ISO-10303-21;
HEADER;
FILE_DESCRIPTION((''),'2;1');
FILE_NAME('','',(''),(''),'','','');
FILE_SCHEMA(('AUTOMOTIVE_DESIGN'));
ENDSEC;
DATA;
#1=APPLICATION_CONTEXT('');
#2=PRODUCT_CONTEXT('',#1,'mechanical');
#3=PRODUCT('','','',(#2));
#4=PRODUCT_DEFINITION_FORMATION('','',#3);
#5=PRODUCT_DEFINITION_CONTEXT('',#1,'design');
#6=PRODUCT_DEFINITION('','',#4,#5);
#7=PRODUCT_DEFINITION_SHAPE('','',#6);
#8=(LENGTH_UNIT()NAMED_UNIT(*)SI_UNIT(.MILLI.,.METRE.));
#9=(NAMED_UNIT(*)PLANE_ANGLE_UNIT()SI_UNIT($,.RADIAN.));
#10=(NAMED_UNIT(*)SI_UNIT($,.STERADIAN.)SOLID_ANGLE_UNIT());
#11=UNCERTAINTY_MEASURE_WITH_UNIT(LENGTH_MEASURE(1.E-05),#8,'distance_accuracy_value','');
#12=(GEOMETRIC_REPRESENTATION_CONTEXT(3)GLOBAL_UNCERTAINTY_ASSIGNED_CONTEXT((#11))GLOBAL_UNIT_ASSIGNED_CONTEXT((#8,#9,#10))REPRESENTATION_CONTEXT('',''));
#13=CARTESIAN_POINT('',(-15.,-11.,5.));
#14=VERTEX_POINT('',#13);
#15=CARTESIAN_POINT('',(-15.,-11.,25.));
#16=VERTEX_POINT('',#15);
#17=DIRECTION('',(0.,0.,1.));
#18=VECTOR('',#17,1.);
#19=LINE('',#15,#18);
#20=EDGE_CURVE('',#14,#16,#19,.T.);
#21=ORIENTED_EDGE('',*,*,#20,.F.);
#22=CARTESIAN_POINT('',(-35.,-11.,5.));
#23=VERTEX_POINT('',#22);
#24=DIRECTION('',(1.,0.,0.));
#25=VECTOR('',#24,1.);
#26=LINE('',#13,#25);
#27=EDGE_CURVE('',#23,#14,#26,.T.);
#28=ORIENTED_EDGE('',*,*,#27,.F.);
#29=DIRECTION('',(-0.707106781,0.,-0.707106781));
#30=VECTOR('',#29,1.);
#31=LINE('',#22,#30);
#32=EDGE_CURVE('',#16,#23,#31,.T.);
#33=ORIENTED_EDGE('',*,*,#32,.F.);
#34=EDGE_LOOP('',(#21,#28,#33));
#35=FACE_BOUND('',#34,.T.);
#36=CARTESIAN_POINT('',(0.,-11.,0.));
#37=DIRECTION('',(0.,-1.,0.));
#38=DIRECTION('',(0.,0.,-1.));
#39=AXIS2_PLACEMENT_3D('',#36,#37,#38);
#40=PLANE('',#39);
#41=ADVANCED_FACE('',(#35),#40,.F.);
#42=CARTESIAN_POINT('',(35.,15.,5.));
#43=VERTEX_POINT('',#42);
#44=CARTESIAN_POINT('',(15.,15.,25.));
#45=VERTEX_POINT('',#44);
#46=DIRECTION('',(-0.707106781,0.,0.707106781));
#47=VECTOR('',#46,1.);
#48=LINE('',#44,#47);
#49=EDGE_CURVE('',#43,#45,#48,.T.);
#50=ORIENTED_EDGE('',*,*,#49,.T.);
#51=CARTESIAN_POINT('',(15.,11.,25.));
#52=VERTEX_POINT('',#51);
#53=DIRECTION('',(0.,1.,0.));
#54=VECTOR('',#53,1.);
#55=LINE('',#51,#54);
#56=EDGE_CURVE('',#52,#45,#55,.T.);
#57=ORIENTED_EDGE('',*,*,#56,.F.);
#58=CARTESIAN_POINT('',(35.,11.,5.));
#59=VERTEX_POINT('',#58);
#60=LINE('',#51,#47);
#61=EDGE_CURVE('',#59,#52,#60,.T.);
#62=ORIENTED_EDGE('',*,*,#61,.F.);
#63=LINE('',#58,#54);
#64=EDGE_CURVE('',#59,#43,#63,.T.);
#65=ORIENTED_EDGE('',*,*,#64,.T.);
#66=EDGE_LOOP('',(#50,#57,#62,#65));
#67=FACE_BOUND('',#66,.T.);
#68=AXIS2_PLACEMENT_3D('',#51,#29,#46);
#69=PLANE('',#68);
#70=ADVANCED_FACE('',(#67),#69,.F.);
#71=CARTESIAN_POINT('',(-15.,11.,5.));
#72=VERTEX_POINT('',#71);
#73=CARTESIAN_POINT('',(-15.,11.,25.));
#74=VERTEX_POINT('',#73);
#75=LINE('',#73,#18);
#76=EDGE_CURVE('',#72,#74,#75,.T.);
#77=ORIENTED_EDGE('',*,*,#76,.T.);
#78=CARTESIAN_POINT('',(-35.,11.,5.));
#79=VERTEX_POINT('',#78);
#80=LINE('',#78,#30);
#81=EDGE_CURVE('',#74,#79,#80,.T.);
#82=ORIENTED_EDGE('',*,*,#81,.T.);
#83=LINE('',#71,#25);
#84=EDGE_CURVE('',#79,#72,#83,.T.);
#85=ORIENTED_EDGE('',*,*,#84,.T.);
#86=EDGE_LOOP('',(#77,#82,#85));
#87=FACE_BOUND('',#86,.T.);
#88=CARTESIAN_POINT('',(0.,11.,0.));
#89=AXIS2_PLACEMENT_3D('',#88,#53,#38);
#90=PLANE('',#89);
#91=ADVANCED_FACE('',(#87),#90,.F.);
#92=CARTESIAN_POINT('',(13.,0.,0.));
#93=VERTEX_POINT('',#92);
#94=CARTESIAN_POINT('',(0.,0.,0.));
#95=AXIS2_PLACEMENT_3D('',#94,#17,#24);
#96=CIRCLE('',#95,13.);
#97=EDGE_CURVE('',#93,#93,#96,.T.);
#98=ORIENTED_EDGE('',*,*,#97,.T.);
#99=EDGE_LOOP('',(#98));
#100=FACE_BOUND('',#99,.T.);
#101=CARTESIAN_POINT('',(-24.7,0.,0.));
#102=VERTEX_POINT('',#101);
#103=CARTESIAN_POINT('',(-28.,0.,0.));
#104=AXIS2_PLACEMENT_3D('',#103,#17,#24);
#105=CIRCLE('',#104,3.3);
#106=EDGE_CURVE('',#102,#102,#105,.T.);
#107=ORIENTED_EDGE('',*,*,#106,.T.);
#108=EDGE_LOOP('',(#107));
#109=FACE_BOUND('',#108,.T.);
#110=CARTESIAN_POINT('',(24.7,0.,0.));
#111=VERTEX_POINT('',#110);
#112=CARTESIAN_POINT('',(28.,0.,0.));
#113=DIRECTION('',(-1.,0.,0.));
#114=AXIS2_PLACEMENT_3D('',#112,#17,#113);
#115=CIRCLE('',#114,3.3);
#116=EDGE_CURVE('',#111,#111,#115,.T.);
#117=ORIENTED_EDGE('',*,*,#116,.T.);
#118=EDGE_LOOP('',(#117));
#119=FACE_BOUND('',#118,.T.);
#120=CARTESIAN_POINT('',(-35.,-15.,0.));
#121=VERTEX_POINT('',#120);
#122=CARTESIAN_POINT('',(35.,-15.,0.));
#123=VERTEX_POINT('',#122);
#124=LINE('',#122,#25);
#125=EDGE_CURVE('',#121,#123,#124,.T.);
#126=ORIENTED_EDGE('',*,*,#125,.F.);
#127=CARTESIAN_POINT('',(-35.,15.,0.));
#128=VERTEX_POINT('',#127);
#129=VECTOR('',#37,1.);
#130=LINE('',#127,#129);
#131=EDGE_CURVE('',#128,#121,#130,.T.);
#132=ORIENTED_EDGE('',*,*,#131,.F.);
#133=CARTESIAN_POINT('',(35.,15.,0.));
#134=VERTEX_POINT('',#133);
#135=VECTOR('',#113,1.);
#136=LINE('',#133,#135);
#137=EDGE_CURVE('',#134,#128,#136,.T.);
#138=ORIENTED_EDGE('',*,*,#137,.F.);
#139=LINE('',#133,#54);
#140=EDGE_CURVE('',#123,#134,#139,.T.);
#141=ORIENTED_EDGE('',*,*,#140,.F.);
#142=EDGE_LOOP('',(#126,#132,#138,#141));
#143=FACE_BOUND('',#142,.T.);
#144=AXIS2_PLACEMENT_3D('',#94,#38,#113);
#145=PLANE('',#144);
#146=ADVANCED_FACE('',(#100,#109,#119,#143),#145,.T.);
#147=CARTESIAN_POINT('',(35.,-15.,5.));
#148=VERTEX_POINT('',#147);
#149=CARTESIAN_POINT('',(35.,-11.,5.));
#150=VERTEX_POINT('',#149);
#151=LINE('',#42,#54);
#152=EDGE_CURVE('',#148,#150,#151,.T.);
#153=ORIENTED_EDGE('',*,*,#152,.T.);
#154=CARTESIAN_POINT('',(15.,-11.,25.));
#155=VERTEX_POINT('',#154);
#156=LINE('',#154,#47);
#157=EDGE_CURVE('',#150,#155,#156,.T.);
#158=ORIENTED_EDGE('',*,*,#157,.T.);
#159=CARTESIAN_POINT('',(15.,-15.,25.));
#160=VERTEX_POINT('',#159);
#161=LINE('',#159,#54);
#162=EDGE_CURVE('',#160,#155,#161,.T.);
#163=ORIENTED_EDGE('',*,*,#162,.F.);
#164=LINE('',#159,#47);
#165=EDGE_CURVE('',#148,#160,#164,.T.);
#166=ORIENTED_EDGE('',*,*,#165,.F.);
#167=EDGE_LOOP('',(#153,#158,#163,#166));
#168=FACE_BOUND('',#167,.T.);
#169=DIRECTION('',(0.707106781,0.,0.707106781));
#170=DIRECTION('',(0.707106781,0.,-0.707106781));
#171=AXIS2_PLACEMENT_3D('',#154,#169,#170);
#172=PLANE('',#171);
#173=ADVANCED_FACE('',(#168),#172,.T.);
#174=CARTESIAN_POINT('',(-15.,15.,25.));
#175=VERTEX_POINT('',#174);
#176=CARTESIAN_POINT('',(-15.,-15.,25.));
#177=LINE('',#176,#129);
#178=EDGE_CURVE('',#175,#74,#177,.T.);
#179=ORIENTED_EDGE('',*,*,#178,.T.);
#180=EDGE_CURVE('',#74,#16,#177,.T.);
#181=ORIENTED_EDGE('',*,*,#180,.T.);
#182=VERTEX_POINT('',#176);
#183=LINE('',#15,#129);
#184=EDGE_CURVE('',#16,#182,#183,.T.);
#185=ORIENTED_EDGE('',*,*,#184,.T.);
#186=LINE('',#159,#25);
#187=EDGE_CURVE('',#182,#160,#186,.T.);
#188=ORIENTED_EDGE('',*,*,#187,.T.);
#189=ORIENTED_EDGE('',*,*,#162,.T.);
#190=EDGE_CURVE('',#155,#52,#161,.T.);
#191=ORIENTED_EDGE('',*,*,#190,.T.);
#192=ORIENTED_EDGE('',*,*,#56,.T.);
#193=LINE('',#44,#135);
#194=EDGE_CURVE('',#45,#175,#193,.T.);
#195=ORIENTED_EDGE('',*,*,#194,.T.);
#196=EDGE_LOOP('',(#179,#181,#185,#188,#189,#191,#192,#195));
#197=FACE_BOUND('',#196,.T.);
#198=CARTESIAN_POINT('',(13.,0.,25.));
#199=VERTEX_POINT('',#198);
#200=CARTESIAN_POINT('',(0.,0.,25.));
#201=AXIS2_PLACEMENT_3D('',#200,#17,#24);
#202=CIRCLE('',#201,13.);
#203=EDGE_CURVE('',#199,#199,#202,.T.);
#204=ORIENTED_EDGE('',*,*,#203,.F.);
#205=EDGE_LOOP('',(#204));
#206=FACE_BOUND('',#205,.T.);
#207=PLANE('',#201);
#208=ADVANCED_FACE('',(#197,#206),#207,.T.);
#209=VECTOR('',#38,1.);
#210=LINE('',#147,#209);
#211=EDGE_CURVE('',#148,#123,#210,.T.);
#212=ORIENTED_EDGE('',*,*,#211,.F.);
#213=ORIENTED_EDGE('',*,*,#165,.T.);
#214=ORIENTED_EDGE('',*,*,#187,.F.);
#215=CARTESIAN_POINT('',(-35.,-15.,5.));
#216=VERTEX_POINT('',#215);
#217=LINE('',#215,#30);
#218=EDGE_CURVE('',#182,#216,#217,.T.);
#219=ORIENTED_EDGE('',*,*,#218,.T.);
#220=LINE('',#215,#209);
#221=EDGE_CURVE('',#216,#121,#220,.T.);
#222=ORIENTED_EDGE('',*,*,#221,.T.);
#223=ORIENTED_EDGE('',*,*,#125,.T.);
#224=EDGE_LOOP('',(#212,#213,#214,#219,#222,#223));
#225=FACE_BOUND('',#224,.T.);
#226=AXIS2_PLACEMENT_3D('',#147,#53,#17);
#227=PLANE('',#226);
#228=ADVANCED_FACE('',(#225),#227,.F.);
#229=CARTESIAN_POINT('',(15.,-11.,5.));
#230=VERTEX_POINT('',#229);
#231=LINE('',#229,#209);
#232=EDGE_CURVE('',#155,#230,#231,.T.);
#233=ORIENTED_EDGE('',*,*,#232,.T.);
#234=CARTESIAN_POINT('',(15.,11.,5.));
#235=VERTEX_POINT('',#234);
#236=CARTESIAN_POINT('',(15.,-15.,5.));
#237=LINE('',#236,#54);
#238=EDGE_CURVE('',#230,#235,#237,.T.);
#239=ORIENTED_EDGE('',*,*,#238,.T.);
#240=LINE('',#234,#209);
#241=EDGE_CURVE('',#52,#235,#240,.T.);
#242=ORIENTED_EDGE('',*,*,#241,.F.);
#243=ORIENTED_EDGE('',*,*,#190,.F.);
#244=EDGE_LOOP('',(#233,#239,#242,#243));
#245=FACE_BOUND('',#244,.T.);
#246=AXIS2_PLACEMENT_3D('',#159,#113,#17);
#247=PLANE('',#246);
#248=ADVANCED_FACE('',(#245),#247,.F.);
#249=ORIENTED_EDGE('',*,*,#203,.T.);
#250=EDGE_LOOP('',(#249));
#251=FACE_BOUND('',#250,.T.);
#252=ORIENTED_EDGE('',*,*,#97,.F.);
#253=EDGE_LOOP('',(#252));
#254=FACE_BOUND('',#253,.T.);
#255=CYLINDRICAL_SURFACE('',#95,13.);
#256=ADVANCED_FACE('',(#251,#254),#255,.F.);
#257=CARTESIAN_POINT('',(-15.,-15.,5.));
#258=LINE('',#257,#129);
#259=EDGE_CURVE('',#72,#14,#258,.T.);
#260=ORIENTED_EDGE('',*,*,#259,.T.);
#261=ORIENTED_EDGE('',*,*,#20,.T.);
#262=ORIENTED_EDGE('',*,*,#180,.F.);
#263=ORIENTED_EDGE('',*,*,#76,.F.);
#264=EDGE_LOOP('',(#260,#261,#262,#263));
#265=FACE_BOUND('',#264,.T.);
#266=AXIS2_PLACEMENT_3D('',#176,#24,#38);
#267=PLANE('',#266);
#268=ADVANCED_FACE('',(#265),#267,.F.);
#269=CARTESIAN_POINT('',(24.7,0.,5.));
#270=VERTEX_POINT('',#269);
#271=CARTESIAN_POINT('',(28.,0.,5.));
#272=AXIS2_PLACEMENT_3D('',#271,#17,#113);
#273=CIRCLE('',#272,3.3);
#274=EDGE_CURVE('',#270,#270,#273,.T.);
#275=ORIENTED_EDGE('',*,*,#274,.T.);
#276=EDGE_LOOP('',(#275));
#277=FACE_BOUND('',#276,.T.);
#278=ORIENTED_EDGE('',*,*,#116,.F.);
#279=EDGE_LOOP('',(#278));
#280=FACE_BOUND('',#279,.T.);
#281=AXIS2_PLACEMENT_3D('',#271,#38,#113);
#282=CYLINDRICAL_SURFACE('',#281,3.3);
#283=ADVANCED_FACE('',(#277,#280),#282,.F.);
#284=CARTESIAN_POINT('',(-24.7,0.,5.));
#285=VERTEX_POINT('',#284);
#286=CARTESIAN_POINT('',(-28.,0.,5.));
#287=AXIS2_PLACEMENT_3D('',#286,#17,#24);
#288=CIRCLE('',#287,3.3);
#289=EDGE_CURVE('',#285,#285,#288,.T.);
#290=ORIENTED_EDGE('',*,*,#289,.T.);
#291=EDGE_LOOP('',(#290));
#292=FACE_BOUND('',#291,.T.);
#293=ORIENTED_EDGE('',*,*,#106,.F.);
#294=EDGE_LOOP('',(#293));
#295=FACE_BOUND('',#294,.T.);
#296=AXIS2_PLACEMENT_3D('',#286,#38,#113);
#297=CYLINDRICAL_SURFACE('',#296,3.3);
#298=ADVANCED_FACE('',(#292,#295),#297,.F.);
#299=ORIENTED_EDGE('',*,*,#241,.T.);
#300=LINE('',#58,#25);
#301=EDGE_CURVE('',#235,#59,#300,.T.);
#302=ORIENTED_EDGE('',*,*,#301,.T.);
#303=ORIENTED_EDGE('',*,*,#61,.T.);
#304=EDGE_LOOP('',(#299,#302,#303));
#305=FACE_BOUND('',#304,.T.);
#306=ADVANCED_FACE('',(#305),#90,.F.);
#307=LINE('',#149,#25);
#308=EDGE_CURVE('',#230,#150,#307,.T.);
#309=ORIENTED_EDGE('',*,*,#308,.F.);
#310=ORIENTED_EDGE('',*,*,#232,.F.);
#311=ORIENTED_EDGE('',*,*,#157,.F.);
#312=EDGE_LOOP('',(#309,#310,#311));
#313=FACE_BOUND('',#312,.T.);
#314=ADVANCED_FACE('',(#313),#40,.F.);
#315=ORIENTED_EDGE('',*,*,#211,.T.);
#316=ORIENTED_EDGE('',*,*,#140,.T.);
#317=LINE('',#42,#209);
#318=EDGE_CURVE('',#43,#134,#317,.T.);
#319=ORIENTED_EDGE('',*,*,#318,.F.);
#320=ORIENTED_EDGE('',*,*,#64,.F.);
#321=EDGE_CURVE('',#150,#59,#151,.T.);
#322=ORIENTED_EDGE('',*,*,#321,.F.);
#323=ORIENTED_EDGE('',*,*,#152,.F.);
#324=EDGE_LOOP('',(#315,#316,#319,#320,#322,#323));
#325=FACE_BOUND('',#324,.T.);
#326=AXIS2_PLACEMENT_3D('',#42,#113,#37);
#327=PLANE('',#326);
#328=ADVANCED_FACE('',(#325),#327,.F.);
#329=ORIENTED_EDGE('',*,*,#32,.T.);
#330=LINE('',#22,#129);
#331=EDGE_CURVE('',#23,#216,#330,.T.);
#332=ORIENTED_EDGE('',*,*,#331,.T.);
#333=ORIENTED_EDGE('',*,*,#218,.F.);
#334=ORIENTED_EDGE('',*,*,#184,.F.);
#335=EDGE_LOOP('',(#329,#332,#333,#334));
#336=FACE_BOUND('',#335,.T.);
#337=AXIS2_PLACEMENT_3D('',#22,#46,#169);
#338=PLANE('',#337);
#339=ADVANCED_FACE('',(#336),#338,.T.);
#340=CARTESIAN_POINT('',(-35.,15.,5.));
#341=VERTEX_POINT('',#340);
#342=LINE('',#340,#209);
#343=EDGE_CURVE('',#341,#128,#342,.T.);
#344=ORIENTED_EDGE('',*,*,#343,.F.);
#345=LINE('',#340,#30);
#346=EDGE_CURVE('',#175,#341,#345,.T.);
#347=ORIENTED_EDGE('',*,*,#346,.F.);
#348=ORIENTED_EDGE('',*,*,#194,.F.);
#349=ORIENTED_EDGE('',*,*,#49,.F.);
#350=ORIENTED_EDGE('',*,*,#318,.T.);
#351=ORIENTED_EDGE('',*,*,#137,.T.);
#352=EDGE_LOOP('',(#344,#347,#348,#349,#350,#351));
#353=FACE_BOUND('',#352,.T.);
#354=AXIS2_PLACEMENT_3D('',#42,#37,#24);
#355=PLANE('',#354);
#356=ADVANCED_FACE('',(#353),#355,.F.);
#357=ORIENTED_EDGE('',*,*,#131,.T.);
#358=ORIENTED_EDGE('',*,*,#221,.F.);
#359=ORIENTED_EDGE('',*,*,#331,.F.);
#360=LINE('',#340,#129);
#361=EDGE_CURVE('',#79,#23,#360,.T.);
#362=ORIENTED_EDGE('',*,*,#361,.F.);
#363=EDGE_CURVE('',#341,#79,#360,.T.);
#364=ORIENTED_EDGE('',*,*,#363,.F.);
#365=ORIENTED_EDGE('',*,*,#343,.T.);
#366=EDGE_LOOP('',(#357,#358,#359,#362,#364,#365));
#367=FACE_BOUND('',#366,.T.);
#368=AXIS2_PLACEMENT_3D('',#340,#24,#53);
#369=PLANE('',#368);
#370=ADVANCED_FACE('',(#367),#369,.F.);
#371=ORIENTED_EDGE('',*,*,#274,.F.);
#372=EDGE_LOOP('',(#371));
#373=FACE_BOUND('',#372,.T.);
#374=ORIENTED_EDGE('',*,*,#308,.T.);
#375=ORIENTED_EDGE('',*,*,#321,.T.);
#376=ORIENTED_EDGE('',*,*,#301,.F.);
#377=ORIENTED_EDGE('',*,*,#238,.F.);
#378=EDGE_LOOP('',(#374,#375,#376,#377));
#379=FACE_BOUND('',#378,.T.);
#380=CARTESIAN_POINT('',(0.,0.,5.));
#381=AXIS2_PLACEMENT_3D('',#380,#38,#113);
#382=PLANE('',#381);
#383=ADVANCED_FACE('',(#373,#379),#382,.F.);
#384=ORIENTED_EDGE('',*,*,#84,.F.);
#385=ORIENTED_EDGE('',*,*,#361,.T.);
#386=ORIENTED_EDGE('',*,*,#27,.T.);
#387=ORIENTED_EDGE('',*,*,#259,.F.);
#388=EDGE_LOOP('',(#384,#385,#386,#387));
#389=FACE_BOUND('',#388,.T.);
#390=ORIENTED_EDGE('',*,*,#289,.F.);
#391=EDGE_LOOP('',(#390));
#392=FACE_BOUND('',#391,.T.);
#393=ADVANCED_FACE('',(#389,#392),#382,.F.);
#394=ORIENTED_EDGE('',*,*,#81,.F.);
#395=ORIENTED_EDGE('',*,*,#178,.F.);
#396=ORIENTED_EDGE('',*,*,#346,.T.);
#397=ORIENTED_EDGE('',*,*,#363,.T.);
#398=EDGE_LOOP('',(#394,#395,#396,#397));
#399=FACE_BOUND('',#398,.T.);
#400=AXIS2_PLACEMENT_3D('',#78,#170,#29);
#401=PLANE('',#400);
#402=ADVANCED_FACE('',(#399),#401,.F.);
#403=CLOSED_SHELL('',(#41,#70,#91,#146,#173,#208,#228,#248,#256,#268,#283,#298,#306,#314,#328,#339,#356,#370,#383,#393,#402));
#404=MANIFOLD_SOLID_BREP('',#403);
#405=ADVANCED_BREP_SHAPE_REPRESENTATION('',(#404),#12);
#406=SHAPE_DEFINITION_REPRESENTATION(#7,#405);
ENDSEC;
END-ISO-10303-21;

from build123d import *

# Parameters (mm, degrees)
SKETCH_1_W          = 70
SKETCH_1_H          = 30
SKETCH_1_R          = 3.3
EXTRUDE_1_DEPTH     = 5
SKETCH_2_W          = 30
SKETCH_2_H          = 30
EXTRUDE_2_DEPTH     = 20
SKETCH_3_R          = 13
CUT_EXTRUDE_1_DEPTH = 26
EXTRUDE_3_DEPTH     = 4


with BuildPart() as part:
    # 草图1 → 凸台-拉伸1 (new body)
    with BuildSketch(Plane.XY):
        Rectangle(SKETCH_1_W, SKETCH_1_H)
        with Locations((-28, 0)):
            Circle(SKETCH_1_R, mode=Mode.SUBTRACT)
        with Locations((28, 0)):
            Circle(SKETCH_1_R, mode=Mode.SUBTRACT)
    extrude(amount=EXTRUDE_1_DEPTH)

    # 草图2 → 凸台-拉伸2 (add)
    with BuildSketch(Plane.XY.offset(5)):
        Rectangle(SKETCH_2_W, SKETCH_2_H)
    extrude(amount=EXTRUDE_2_DEPTH)

    # 草图3 → 切除-拉伸1 (cut, through all)
    with BuildSketch(Plane.XY.offset(25)):
        Circle(SKETCH_3_R)
    extrude(amount=-CUT_EXTRUDE_1_DEPTH, mode=Mode.SUBTRACT)

    # 草图5 → 凸台-拉伸3 (add)
    with BuildSketch(Plane.XZ.offset(15)):
        Polygon((-35, 5), (-15, 25), (-15, 5), align=None)
        Polygon((15, 25), (35, 5), (15, 5), align=None)
    extrude_3 = extrude(amount=-EXTRUDE_3_DEPTH)

    # 镜向1: 凸台-拉伸3 across plane
    add(extrude_3.mirror(Plane.ZX))


solid = part.part
